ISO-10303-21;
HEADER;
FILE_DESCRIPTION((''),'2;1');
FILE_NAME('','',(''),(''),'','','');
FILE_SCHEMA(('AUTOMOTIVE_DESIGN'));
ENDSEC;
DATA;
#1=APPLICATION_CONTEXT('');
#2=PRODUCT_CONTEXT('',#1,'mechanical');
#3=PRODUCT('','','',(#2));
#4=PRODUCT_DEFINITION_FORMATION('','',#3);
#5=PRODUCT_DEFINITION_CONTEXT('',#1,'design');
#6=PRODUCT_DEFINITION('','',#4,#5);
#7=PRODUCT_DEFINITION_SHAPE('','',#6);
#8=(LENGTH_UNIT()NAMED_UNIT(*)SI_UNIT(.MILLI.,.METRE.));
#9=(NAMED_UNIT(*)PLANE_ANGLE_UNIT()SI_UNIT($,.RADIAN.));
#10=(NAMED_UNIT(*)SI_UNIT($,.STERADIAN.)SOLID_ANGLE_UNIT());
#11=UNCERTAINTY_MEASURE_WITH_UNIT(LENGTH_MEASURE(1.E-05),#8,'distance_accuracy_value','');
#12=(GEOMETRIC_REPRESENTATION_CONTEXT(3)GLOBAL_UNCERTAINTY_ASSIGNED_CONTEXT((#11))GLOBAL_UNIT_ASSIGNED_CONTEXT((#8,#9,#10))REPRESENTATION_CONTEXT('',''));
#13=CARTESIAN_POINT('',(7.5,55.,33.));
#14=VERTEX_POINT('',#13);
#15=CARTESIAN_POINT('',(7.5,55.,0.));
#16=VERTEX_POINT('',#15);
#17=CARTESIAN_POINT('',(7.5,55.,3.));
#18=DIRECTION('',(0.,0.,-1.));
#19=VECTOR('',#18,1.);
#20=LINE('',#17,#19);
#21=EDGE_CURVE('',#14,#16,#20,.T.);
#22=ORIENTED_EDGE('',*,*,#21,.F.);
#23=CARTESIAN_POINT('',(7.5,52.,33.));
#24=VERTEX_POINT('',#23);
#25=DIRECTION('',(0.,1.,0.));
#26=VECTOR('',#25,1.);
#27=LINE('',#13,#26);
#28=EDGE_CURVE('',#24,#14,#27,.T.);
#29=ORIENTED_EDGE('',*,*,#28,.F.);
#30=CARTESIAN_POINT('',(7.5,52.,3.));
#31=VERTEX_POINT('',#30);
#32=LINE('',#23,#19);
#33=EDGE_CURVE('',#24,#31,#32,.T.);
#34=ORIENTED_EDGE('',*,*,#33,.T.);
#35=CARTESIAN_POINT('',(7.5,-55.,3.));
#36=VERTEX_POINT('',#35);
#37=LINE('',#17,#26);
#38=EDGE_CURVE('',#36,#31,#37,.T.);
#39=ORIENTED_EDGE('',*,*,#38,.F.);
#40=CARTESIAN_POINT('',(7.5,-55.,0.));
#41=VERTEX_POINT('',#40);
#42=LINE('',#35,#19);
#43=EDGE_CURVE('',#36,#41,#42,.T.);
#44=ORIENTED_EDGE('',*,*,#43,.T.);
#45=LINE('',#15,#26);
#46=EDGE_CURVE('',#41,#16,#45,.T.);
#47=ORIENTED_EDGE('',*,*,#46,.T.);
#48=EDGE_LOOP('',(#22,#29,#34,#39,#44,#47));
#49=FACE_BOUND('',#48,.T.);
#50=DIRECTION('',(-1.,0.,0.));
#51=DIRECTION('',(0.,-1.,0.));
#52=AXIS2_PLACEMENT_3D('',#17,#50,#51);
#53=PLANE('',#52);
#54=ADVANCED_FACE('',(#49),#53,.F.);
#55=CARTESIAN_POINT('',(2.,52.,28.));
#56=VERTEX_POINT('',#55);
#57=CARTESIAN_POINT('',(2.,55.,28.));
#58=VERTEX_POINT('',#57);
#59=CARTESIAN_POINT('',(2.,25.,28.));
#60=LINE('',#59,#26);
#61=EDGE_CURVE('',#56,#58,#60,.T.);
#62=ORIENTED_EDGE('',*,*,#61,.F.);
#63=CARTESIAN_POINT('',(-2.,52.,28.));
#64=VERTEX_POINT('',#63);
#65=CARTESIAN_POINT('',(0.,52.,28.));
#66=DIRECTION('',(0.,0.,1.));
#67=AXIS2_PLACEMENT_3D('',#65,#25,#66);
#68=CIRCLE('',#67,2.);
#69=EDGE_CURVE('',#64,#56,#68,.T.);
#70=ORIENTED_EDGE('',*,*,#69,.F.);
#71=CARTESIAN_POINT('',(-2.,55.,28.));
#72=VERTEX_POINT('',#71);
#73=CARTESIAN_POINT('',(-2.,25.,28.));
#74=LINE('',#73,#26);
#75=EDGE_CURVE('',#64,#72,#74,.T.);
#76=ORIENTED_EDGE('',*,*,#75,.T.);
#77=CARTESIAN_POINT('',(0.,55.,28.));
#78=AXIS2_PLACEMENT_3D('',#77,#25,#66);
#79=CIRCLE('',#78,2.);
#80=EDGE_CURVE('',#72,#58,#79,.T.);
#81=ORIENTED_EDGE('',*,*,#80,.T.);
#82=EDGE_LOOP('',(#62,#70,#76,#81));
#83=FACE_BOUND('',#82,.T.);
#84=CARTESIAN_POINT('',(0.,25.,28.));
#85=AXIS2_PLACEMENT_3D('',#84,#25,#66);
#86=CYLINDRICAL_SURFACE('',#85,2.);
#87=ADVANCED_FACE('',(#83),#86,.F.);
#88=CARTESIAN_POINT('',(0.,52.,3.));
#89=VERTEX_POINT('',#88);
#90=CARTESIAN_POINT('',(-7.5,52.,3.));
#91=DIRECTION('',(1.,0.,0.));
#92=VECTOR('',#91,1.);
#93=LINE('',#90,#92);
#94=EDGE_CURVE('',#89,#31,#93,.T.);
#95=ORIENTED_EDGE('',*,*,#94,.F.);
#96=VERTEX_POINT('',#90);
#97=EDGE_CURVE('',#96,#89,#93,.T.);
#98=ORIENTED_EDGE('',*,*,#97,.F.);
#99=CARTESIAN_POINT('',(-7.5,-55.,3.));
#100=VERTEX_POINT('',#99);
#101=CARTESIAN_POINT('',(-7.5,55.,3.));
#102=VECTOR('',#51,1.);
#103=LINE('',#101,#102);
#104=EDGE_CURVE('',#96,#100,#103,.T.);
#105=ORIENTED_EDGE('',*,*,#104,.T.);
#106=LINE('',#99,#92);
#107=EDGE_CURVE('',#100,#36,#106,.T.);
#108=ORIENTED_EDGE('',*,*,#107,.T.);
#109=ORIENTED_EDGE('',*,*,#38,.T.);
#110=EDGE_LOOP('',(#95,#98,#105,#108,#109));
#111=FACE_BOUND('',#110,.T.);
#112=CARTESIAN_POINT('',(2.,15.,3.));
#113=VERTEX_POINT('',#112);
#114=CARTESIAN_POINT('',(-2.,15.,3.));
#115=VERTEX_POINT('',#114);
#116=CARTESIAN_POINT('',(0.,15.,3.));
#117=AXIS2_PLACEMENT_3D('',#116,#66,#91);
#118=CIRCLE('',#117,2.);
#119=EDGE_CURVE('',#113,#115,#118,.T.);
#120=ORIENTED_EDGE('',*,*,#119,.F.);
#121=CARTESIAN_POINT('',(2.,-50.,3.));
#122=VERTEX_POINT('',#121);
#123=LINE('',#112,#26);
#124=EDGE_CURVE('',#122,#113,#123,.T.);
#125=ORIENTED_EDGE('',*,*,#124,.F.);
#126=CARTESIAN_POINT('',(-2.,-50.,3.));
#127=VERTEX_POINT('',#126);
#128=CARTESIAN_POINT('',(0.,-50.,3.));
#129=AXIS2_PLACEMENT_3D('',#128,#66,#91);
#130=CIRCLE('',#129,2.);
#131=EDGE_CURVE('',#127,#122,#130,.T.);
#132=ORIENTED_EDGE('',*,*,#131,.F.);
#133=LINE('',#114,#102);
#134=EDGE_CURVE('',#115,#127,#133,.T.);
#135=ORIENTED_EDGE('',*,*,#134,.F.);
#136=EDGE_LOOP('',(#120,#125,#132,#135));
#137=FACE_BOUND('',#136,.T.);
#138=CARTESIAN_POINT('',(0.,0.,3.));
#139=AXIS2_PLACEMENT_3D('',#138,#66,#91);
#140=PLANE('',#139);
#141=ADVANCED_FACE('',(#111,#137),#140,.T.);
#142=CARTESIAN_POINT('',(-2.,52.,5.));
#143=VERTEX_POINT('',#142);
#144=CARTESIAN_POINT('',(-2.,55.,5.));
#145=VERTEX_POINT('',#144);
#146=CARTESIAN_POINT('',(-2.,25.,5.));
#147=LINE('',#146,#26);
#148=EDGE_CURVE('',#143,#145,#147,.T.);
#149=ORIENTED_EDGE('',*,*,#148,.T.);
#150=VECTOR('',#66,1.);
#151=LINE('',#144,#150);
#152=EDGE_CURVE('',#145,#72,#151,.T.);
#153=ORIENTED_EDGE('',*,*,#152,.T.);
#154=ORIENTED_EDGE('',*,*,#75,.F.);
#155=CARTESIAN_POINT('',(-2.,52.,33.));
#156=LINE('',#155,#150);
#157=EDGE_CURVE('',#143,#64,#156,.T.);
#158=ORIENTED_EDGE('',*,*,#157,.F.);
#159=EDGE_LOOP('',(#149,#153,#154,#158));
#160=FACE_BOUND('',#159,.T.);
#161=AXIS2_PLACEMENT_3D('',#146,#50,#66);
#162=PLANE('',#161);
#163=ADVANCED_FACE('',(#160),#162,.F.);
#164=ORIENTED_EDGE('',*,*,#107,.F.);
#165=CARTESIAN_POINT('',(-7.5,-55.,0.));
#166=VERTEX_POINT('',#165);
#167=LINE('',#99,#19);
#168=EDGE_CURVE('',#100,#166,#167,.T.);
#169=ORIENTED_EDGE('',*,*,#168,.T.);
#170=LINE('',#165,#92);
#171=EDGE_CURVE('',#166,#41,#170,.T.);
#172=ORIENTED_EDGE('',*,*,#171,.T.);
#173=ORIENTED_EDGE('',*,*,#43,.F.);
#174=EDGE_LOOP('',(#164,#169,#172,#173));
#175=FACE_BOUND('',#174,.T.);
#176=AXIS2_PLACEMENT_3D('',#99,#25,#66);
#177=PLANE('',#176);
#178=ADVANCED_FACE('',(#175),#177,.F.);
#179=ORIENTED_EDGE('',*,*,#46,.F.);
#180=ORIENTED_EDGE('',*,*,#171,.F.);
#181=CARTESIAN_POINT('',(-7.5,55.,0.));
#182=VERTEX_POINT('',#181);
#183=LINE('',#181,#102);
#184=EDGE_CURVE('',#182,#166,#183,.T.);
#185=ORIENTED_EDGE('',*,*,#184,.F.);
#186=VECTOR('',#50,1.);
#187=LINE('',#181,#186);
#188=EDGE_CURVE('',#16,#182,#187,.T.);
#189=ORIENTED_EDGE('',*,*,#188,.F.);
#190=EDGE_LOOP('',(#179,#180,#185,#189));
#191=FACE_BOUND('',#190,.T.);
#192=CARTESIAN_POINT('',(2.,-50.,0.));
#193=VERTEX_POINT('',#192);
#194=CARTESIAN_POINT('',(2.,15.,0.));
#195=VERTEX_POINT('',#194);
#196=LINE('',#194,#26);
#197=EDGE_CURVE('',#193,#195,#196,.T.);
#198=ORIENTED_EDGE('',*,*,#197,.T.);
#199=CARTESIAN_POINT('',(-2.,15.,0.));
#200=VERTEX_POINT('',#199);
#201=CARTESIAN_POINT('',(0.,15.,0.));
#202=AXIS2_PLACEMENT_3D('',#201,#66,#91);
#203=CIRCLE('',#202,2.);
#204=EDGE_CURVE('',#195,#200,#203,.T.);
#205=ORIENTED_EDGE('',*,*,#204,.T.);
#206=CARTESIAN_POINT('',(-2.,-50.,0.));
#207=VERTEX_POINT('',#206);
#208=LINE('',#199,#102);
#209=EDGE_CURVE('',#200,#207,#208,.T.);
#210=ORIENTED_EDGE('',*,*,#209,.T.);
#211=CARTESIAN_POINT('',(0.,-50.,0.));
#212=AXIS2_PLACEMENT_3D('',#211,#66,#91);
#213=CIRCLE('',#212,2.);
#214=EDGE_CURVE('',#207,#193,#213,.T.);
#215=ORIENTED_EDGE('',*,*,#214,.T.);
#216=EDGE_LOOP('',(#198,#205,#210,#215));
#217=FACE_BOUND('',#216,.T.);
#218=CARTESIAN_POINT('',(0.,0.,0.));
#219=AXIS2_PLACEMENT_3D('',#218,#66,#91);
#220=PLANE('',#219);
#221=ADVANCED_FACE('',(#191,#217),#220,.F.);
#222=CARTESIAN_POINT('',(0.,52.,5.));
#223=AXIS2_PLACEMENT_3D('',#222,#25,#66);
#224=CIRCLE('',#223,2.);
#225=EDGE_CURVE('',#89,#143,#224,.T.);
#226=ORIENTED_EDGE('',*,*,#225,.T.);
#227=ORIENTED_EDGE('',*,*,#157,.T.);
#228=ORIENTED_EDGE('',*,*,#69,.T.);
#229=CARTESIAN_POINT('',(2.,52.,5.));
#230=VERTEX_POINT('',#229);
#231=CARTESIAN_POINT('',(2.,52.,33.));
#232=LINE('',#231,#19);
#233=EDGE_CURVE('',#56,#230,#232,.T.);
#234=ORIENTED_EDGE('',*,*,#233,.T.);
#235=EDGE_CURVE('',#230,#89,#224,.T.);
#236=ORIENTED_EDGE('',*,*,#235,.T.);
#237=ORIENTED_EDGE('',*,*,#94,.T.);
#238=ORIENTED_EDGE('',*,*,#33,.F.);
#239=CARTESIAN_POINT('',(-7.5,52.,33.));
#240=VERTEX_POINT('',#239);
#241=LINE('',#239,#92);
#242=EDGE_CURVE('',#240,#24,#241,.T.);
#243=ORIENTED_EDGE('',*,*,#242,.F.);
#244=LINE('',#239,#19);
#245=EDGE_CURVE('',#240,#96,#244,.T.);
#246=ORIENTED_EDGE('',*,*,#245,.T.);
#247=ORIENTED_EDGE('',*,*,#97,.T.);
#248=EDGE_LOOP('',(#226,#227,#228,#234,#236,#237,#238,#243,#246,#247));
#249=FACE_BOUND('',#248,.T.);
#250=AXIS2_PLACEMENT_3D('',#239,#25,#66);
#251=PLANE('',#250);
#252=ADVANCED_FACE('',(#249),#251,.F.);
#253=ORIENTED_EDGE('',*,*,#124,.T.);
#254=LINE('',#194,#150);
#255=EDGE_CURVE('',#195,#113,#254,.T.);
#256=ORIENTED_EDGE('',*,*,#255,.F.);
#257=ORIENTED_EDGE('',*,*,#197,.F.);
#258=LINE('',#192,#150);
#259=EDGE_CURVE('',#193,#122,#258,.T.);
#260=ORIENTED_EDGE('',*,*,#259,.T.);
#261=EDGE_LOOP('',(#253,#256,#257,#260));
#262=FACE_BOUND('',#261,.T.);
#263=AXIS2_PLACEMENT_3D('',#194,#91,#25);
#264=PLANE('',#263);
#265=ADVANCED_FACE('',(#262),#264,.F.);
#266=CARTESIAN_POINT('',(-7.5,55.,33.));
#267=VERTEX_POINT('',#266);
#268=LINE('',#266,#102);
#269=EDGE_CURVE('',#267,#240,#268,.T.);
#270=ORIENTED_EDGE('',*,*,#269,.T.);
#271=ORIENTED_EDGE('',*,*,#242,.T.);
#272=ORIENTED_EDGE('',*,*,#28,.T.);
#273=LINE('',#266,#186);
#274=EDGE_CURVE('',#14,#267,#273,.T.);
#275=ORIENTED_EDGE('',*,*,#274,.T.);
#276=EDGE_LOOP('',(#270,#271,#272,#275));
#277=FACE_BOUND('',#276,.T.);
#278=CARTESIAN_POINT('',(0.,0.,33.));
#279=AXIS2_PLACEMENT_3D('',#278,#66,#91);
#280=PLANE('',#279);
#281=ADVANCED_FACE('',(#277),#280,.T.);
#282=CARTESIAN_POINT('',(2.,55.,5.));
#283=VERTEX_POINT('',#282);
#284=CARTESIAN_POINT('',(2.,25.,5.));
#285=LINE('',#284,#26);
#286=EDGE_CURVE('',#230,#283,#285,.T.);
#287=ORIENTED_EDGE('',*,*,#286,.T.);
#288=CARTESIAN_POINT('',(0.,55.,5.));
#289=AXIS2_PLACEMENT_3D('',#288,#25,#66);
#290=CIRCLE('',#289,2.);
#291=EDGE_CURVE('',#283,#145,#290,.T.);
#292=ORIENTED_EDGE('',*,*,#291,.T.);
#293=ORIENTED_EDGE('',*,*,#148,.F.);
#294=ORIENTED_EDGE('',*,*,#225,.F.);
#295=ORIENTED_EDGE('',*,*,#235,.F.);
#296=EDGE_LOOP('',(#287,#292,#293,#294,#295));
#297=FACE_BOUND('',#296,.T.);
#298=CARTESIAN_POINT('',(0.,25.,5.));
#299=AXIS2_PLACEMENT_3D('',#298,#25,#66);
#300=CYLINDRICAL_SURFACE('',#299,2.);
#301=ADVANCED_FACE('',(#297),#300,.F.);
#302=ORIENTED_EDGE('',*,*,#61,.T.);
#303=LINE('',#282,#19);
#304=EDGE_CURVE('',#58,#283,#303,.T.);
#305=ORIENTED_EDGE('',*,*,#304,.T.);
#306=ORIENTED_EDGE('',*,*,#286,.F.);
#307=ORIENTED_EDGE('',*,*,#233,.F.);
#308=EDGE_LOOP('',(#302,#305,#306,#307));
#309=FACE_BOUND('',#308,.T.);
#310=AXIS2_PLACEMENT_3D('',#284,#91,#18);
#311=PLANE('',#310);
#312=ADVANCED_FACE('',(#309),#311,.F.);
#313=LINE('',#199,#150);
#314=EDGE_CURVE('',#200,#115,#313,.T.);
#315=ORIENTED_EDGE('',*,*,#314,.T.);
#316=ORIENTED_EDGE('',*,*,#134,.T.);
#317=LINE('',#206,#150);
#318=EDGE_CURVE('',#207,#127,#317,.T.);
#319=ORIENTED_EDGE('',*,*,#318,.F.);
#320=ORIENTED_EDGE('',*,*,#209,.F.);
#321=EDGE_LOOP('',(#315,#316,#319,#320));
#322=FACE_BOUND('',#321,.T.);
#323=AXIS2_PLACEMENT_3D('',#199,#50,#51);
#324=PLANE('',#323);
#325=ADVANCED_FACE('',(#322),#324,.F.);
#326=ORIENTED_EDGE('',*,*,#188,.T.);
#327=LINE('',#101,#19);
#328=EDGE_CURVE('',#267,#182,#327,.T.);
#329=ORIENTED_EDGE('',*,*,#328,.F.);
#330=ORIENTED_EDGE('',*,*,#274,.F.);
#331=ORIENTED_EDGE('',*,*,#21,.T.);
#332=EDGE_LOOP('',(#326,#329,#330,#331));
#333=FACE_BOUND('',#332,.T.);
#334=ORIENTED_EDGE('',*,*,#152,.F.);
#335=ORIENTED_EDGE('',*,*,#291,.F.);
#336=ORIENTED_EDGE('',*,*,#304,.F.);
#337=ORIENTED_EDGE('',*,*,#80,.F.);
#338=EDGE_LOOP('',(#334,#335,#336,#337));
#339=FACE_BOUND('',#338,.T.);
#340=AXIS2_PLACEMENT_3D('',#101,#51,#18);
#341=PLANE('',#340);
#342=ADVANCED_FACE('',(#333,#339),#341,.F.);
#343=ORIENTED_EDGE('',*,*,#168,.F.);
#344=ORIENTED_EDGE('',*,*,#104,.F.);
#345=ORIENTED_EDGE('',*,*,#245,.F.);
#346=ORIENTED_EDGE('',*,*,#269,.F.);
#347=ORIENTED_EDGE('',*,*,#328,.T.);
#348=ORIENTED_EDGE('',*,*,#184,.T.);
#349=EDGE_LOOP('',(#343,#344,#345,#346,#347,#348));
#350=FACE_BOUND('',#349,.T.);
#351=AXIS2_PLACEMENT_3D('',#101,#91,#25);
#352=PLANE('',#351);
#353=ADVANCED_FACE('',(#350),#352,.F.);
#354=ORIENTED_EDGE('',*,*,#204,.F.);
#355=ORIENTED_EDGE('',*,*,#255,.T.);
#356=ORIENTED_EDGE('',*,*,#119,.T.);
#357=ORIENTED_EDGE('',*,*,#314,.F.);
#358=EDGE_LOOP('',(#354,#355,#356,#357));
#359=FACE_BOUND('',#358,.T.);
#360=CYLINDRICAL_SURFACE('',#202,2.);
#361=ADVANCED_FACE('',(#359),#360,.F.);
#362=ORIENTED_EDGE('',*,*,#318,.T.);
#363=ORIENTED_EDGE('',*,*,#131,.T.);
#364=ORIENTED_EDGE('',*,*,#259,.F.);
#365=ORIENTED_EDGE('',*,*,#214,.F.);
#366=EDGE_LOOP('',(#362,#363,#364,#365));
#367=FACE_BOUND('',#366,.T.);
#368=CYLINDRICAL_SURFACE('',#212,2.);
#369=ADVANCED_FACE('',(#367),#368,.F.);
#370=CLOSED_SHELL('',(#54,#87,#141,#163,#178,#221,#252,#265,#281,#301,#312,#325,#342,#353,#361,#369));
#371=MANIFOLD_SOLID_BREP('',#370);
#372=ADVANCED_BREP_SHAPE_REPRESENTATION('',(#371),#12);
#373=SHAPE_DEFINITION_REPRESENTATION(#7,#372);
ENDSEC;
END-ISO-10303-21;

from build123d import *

# Parameters (mm, degrees)
SKETCH1_W           = 15
SKETCH1_H           = 110
BOSS_EXTRUDE1_DEPTH = 3
CUT_EXTRUDE1_DEPTH  = 3
SKETCH3_W           = 15
SKETCH3_H           = 3
BOSS_EXTRUDE2_DEPTH = 30
CUT_EXTRUDE2_DEPTH  = 30


with BuildPart() as part:
    # Sketch1 → Boss-Extrude1 (new body)
    with BuildSketch(Plane.XY):
        Rectangle(SKETCH1_W, SKETCH1_H)
    extrude(amount=BOSS_EXTRUDE1_DEPTH)

    # Sketch2 → Cut-Extrude1 (cut)
    with BuildSketch(Plane.XY.offset(3)):
        with BuildLine():
            Line((2, 15), (2, -50))
            ThreePointArc((2, -50), (0, -52), (-2, -50))
            Line((-2, -50), (-2, 15))
            ThreePointArc((-2, 15), (0, 17), (2, 15))
        make_face()
    extrude(amount=-CUT_EXTRUDE1_DEPTH, mode=Mode.SUBTRACT)

    # Sketch3 → Boss-Extrude2 (add)
    with BuildSketch(Plane.XY.offset(3)):
        with Locations((0, 53.5)):
            Rectangle(SKETCH3_W, SKETCH3_H)
    extrude(amount=BOSS_EXTRUDE2_DEPTH)

    # Sketch4 → Cut-Extrude2 (cut)
    with BuildSketch(Plane(origin=(0, 55, 0), x_dir=(1, 0, 0), z_dir=(0, 1, 0))):
        with BuildLine():
            Line((2, -5), (2, -28))
            ThreePointArc((2, -28), (0, -30), (-2, -28))
            Line((-2, -28), (-2, -5))
            ThreePointArc((-2, -5), (0, -3), (2, -5))
        make_face()
    extrude(amount=-CUT_EXTRUDE2_DEPTH, mode=Mode.SUBTRACT)


solid = part.part
